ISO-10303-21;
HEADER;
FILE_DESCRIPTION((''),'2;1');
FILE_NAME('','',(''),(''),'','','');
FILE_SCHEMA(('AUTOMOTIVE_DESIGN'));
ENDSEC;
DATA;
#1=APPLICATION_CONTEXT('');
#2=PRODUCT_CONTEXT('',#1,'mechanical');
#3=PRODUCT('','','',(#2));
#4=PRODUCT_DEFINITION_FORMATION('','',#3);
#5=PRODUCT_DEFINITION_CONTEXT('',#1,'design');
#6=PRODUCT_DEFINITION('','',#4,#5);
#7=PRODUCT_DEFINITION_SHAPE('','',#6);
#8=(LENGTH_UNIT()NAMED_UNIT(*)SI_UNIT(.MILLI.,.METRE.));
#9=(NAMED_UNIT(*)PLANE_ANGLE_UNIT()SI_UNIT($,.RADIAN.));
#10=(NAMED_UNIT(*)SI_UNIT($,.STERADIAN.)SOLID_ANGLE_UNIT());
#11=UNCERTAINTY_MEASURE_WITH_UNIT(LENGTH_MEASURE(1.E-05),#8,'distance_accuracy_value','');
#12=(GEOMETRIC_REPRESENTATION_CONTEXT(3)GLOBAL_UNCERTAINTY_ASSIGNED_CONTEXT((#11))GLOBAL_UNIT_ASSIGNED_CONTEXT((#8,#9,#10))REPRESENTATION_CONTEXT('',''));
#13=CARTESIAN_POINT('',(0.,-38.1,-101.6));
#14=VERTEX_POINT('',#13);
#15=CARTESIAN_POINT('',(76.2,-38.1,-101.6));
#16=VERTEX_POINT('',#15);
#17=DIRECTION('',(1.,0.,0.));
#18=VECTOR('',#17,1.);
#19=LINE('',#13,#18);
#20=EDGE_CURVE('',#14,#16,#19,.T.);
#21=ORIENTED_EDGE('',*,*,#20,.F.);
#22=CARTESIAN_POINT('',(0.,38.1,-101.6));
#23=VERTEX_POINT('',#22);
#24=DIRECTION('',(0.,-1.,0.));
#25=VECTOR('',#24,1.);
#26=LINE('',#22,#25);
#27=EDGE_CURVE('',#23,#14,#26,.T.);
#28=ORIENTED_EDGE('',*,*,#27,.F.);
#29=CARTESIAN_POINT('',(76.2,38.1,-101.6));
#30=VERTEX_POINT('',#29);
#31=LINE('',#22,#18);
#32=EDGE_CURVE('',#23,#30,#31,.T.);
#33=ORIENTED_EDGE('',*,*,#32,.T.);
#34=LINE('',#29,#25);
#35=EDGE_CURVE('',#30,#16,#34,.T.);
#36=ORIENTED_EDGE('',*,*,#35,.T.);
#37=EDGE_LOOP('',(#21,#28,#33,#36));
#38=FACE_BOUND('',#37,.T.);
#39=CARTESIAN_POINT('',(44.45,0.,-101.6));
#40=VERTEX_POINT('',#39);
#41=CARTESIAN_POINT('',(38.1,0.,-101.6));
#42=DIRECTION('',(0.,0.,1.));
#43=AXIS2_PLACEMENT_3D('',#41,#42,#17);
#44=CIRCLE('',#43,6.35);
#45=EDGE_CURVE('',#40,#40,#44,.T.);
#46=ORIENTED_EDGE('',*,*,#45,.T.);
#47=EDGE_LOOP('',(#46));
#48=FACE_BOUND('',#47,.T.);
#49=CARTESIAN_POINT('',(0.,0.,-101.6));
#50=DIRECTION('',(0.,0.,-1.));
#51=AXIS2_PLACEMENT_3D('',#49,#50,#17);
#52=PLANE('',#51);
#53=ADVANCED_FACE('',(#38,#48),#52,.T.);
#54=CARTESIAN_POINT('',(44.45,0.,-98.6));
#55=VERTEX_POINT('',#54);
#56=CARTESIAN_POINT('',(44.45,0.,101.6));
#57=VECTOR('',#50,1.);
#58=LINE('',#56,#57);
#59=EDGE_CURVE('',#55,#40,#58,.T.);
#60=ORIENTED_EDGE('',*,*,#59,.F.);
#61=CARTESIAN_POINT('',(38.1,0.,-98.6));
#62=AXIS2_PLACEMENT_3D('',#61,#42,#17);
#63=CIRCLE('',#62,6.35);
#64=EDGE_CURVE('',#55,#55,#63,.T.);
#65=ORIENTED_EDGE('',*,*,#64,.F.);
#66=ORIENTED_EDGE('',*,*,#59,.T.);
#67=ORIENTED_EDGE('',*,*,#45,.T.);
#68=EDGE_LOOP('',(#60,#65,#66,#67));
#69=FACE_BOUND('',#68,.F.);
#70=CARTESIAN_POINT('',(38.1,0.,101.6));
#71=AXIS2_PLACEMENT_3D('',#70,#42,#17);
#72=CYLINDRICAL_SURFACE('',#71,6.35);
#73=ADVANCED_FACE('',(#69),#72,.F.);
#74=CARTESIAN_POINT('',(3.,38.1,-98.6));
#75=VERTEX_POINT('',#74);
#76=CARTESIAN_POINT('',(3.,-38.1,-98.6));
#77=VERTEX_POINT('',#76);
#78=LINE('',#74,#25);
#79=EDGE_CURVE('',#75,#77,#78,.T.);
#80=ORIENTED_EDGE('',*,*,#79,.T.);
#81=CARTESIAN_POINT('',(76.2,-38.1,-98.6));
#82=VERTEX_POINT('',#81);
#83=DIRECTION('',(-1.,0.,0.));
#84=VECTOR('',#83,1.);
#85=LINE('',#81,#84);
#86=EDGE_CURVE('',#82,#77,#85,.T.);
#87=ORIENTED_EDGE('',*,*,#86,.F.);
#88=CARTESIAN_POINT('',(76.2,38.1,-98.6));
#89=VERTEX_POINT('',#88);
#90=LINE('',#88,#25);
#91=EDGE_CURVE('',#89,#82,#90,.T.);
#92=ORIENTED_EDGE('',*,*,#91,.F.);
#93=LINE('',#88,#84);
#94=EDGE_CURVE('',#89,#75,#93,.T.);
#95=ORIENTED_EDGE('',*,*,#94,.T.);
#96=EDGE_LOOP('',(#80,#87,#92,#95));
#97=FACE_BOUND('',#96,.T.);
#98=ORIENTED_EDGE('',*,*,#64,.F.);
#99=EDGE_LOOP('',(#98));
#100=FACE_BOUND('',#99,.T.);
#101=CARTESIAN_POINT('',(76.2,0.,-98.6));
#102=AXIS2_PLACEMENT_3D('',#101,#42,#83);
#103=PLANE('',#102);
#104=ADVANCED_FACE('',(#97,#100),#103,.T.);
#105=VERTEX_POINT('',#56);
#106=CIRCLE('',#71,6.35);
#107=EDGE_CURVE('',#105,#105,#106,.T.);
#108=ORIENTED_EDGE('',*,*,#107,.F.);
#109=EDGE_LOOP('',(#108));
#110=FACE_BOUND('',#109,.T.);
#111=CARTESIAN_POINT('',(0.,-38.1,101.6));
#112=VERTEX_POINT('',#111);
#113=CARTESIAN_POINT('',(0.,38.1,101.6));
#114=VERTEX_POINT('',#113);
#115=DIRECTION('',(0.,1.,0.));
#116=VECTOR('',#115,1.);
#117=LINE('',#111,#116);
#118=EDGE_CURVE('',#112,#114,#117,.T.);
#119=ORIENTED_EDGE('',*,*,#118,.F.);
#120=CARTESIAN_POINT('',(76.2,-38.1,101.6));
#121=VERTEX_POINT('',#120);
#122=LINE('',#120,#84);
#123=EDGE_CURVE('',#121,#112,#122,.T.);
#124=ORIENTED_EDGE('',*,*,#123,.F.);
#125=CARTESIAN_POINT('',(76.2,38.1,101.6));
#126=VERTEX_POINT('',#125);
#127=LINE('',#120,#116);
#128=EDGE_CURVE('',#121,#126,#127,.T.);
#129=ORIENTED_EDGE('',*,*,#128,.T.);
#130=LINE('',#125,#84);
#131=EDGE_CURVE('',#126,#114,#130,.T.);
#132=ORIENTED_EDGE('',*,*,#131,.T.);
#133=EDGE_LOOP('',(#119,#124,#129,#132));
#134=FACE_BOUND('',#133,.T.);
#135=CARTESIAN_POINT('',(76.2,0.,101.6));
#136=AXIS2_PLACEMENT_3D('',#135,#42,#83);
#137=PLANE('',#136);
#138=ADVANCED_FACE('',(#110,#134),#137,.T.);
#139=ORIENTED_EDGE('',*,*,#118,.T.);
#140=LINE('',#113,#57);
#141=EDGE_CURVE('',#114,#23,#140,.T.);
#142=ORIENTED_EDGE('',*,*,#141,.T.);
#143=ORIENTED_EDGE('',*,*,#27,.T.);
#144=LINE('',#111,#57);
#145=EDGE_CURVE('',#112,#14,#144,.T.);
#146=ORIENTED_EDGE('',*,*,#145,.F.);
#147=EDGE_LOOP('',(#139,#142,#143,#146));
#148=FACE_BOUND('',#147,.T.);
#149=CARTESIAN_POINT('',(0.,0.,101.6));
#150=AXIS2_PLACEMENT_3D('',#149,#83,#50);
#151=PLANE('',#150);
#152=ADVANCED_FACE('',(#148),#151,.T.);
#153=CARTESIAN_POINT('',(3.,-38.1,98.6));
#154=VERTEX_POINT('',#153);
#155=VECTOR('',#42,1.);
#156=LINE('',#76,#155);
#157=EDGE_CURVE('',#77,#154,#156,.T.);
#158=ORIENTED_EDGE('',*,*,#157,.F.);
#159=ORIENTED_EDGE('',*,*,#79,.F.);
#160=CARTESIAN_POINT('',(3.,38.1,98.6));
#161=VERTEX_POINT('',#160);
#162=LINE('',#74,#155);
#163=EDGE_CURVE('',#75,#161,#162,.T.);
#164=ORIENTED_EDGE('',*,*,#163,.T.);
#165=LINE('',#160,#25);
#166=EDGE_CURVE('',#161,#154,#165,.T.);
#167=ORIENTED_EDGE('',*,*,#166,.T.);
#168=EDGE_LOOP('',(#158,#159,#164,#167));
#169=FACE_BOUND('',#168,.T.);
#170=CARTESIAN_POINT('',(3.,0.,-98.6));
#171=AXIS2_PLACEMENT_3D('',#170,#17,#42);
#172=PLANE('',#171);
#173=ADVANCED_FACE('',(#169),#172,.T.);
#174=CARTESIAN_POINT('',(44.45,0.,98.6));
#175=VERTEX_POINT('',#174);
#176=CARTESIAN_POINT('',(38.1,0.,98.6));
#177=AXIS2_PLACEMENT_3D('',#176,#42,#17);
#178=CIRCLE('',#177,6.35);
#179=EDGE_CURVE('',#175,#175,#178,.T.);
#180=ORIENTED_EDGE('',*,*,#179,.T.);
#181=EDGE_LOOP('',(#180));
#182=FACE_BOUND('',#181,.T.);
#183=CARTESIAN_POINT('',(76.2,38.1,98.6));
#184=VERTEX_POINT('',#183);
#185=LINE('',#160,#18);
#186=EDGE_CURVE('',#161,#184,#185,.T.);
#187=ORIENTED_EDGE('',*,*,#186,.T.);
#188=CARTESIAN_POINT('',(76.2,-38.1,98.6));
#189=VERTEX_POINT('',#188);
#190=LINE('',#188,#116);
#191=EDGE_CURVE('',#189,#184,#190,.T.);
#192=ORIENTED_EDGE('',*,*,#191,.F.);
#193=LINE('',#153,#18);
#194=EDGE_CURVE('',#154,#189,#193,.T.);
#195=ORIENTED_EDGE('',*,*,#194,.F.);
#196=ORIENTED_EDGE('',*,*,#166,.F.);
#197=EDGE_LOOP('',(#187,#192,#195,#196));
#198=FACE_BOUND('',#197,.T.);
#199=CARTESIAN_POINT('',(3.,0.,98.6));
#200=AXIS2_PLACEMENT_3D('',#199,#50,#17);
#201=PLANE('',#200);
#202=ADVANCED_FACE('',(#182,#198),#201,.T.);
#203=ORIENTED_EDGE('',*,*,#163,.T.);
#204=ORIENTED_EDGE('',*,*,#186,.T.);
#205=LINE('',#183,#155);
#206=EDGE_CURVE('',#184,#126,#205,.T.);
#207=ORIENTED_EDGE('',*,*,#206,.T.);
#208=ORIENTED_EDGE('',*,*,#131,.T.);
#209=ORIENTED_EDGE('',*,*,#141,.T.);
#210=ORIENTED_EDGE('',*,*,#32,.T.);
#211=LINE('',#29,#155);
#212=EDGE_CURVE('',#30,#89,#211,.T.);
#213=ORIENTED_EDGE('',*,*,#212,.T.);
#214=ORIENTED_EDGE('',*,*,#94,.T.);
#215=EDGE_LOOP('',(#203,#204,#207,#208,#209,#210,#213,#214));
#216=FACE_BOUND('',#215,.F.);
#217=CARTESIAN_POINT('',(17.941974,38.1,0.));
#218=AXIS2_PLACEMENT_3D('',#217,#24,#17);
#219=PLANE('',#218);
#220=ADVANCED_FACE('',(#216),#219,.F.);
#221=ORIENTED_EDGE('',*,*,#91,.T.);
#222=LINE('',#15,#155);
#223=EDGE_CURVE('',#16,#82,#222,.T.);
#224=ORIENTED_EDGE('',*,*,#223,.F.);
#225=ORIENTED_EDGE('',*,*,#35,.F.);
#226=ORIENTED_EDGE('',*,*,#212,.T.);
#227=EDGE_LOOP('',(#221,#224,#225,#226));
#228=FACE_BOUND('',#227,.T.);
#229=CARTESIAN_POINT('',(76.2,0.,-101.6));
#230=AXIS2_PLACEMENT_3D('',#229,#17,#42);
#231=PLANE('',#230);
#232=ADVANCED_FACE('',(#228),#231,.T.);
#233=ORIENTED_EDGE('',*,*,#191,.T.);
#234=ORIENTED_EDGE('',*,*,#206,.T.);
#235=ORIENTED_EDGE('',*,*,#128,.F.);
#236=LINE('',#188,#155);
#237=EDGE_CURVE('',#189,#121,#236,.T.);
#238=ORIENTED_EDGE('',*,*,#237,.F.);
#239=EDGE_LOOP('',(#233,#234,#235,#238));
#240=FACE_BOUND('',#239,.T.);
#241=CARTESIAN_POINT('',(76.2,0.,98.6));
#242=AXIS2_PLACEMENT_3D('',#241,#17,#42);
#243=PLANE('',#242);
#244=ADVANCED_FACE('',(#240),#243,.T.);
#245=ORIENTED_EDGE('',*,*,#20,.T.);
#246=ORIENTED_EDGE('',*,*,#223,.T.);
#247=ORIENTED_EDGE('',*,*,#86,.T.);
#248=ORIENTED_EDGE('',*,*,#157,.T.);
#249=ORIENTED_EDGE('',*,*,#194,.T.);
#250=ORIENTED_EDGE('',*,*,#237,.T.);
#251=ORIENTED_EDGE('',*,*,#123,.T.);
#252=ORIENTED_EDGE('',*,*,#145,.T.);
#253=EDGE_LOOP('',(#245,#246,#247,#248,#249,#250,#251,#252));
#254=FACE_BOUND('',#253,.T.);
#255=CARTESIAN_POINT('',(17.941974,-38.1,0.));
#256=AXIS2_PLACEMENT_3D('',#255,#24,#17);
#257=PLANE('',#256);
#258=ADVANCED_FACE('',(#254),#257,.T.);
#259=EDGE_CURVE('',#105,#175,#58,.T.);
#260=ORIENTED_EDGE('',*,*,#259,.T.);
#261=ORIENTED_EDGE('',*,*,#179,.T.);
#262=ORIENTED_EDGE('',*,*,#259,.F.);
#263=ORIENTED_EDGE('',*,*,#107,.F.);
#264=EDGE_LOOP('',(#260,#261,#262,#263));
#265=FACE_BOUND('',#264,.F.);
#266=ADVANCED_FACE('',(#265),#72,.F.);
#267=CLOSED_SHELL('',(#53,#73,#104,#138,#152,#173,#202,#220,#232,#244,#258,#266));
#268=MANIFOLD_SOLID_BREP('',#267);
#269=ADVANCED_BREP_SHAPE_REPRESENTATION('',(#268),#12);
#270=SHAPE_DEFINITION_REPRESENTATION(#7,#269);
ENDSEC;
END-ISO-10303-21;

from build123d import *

# Parameters (mm, degrees)
F1_DEPTH = 38.1
F2_R     = 6.35
F3_DEPTH = 286.8709862232


with BuildPart() as f1:
    # F0 (on Front) → F1 (new body, symmetric)
    with BuildSketch(Plane.XZ):
        Polygon((0, 101.6), (0, 0), (0, -101.6), (76.2, -101.6), (76.2, -98.6), (3, -98.6), (3, 0), (3, 98.6), (76.2, 98.6), (76.2, 101.6), align=None)
    extrude(amount=F1_DEPTH, both=True)

    # F2 (on face) → F3 (cut)
    with BuildSketch(Plane.XY.offset(101.6)):
        with Locations((38.1, 0)):
            Circle(F2_R)
    extrude(amount=-F3_DEPTH, mode=Mode.SUBTRACT)


solid = f1.part
